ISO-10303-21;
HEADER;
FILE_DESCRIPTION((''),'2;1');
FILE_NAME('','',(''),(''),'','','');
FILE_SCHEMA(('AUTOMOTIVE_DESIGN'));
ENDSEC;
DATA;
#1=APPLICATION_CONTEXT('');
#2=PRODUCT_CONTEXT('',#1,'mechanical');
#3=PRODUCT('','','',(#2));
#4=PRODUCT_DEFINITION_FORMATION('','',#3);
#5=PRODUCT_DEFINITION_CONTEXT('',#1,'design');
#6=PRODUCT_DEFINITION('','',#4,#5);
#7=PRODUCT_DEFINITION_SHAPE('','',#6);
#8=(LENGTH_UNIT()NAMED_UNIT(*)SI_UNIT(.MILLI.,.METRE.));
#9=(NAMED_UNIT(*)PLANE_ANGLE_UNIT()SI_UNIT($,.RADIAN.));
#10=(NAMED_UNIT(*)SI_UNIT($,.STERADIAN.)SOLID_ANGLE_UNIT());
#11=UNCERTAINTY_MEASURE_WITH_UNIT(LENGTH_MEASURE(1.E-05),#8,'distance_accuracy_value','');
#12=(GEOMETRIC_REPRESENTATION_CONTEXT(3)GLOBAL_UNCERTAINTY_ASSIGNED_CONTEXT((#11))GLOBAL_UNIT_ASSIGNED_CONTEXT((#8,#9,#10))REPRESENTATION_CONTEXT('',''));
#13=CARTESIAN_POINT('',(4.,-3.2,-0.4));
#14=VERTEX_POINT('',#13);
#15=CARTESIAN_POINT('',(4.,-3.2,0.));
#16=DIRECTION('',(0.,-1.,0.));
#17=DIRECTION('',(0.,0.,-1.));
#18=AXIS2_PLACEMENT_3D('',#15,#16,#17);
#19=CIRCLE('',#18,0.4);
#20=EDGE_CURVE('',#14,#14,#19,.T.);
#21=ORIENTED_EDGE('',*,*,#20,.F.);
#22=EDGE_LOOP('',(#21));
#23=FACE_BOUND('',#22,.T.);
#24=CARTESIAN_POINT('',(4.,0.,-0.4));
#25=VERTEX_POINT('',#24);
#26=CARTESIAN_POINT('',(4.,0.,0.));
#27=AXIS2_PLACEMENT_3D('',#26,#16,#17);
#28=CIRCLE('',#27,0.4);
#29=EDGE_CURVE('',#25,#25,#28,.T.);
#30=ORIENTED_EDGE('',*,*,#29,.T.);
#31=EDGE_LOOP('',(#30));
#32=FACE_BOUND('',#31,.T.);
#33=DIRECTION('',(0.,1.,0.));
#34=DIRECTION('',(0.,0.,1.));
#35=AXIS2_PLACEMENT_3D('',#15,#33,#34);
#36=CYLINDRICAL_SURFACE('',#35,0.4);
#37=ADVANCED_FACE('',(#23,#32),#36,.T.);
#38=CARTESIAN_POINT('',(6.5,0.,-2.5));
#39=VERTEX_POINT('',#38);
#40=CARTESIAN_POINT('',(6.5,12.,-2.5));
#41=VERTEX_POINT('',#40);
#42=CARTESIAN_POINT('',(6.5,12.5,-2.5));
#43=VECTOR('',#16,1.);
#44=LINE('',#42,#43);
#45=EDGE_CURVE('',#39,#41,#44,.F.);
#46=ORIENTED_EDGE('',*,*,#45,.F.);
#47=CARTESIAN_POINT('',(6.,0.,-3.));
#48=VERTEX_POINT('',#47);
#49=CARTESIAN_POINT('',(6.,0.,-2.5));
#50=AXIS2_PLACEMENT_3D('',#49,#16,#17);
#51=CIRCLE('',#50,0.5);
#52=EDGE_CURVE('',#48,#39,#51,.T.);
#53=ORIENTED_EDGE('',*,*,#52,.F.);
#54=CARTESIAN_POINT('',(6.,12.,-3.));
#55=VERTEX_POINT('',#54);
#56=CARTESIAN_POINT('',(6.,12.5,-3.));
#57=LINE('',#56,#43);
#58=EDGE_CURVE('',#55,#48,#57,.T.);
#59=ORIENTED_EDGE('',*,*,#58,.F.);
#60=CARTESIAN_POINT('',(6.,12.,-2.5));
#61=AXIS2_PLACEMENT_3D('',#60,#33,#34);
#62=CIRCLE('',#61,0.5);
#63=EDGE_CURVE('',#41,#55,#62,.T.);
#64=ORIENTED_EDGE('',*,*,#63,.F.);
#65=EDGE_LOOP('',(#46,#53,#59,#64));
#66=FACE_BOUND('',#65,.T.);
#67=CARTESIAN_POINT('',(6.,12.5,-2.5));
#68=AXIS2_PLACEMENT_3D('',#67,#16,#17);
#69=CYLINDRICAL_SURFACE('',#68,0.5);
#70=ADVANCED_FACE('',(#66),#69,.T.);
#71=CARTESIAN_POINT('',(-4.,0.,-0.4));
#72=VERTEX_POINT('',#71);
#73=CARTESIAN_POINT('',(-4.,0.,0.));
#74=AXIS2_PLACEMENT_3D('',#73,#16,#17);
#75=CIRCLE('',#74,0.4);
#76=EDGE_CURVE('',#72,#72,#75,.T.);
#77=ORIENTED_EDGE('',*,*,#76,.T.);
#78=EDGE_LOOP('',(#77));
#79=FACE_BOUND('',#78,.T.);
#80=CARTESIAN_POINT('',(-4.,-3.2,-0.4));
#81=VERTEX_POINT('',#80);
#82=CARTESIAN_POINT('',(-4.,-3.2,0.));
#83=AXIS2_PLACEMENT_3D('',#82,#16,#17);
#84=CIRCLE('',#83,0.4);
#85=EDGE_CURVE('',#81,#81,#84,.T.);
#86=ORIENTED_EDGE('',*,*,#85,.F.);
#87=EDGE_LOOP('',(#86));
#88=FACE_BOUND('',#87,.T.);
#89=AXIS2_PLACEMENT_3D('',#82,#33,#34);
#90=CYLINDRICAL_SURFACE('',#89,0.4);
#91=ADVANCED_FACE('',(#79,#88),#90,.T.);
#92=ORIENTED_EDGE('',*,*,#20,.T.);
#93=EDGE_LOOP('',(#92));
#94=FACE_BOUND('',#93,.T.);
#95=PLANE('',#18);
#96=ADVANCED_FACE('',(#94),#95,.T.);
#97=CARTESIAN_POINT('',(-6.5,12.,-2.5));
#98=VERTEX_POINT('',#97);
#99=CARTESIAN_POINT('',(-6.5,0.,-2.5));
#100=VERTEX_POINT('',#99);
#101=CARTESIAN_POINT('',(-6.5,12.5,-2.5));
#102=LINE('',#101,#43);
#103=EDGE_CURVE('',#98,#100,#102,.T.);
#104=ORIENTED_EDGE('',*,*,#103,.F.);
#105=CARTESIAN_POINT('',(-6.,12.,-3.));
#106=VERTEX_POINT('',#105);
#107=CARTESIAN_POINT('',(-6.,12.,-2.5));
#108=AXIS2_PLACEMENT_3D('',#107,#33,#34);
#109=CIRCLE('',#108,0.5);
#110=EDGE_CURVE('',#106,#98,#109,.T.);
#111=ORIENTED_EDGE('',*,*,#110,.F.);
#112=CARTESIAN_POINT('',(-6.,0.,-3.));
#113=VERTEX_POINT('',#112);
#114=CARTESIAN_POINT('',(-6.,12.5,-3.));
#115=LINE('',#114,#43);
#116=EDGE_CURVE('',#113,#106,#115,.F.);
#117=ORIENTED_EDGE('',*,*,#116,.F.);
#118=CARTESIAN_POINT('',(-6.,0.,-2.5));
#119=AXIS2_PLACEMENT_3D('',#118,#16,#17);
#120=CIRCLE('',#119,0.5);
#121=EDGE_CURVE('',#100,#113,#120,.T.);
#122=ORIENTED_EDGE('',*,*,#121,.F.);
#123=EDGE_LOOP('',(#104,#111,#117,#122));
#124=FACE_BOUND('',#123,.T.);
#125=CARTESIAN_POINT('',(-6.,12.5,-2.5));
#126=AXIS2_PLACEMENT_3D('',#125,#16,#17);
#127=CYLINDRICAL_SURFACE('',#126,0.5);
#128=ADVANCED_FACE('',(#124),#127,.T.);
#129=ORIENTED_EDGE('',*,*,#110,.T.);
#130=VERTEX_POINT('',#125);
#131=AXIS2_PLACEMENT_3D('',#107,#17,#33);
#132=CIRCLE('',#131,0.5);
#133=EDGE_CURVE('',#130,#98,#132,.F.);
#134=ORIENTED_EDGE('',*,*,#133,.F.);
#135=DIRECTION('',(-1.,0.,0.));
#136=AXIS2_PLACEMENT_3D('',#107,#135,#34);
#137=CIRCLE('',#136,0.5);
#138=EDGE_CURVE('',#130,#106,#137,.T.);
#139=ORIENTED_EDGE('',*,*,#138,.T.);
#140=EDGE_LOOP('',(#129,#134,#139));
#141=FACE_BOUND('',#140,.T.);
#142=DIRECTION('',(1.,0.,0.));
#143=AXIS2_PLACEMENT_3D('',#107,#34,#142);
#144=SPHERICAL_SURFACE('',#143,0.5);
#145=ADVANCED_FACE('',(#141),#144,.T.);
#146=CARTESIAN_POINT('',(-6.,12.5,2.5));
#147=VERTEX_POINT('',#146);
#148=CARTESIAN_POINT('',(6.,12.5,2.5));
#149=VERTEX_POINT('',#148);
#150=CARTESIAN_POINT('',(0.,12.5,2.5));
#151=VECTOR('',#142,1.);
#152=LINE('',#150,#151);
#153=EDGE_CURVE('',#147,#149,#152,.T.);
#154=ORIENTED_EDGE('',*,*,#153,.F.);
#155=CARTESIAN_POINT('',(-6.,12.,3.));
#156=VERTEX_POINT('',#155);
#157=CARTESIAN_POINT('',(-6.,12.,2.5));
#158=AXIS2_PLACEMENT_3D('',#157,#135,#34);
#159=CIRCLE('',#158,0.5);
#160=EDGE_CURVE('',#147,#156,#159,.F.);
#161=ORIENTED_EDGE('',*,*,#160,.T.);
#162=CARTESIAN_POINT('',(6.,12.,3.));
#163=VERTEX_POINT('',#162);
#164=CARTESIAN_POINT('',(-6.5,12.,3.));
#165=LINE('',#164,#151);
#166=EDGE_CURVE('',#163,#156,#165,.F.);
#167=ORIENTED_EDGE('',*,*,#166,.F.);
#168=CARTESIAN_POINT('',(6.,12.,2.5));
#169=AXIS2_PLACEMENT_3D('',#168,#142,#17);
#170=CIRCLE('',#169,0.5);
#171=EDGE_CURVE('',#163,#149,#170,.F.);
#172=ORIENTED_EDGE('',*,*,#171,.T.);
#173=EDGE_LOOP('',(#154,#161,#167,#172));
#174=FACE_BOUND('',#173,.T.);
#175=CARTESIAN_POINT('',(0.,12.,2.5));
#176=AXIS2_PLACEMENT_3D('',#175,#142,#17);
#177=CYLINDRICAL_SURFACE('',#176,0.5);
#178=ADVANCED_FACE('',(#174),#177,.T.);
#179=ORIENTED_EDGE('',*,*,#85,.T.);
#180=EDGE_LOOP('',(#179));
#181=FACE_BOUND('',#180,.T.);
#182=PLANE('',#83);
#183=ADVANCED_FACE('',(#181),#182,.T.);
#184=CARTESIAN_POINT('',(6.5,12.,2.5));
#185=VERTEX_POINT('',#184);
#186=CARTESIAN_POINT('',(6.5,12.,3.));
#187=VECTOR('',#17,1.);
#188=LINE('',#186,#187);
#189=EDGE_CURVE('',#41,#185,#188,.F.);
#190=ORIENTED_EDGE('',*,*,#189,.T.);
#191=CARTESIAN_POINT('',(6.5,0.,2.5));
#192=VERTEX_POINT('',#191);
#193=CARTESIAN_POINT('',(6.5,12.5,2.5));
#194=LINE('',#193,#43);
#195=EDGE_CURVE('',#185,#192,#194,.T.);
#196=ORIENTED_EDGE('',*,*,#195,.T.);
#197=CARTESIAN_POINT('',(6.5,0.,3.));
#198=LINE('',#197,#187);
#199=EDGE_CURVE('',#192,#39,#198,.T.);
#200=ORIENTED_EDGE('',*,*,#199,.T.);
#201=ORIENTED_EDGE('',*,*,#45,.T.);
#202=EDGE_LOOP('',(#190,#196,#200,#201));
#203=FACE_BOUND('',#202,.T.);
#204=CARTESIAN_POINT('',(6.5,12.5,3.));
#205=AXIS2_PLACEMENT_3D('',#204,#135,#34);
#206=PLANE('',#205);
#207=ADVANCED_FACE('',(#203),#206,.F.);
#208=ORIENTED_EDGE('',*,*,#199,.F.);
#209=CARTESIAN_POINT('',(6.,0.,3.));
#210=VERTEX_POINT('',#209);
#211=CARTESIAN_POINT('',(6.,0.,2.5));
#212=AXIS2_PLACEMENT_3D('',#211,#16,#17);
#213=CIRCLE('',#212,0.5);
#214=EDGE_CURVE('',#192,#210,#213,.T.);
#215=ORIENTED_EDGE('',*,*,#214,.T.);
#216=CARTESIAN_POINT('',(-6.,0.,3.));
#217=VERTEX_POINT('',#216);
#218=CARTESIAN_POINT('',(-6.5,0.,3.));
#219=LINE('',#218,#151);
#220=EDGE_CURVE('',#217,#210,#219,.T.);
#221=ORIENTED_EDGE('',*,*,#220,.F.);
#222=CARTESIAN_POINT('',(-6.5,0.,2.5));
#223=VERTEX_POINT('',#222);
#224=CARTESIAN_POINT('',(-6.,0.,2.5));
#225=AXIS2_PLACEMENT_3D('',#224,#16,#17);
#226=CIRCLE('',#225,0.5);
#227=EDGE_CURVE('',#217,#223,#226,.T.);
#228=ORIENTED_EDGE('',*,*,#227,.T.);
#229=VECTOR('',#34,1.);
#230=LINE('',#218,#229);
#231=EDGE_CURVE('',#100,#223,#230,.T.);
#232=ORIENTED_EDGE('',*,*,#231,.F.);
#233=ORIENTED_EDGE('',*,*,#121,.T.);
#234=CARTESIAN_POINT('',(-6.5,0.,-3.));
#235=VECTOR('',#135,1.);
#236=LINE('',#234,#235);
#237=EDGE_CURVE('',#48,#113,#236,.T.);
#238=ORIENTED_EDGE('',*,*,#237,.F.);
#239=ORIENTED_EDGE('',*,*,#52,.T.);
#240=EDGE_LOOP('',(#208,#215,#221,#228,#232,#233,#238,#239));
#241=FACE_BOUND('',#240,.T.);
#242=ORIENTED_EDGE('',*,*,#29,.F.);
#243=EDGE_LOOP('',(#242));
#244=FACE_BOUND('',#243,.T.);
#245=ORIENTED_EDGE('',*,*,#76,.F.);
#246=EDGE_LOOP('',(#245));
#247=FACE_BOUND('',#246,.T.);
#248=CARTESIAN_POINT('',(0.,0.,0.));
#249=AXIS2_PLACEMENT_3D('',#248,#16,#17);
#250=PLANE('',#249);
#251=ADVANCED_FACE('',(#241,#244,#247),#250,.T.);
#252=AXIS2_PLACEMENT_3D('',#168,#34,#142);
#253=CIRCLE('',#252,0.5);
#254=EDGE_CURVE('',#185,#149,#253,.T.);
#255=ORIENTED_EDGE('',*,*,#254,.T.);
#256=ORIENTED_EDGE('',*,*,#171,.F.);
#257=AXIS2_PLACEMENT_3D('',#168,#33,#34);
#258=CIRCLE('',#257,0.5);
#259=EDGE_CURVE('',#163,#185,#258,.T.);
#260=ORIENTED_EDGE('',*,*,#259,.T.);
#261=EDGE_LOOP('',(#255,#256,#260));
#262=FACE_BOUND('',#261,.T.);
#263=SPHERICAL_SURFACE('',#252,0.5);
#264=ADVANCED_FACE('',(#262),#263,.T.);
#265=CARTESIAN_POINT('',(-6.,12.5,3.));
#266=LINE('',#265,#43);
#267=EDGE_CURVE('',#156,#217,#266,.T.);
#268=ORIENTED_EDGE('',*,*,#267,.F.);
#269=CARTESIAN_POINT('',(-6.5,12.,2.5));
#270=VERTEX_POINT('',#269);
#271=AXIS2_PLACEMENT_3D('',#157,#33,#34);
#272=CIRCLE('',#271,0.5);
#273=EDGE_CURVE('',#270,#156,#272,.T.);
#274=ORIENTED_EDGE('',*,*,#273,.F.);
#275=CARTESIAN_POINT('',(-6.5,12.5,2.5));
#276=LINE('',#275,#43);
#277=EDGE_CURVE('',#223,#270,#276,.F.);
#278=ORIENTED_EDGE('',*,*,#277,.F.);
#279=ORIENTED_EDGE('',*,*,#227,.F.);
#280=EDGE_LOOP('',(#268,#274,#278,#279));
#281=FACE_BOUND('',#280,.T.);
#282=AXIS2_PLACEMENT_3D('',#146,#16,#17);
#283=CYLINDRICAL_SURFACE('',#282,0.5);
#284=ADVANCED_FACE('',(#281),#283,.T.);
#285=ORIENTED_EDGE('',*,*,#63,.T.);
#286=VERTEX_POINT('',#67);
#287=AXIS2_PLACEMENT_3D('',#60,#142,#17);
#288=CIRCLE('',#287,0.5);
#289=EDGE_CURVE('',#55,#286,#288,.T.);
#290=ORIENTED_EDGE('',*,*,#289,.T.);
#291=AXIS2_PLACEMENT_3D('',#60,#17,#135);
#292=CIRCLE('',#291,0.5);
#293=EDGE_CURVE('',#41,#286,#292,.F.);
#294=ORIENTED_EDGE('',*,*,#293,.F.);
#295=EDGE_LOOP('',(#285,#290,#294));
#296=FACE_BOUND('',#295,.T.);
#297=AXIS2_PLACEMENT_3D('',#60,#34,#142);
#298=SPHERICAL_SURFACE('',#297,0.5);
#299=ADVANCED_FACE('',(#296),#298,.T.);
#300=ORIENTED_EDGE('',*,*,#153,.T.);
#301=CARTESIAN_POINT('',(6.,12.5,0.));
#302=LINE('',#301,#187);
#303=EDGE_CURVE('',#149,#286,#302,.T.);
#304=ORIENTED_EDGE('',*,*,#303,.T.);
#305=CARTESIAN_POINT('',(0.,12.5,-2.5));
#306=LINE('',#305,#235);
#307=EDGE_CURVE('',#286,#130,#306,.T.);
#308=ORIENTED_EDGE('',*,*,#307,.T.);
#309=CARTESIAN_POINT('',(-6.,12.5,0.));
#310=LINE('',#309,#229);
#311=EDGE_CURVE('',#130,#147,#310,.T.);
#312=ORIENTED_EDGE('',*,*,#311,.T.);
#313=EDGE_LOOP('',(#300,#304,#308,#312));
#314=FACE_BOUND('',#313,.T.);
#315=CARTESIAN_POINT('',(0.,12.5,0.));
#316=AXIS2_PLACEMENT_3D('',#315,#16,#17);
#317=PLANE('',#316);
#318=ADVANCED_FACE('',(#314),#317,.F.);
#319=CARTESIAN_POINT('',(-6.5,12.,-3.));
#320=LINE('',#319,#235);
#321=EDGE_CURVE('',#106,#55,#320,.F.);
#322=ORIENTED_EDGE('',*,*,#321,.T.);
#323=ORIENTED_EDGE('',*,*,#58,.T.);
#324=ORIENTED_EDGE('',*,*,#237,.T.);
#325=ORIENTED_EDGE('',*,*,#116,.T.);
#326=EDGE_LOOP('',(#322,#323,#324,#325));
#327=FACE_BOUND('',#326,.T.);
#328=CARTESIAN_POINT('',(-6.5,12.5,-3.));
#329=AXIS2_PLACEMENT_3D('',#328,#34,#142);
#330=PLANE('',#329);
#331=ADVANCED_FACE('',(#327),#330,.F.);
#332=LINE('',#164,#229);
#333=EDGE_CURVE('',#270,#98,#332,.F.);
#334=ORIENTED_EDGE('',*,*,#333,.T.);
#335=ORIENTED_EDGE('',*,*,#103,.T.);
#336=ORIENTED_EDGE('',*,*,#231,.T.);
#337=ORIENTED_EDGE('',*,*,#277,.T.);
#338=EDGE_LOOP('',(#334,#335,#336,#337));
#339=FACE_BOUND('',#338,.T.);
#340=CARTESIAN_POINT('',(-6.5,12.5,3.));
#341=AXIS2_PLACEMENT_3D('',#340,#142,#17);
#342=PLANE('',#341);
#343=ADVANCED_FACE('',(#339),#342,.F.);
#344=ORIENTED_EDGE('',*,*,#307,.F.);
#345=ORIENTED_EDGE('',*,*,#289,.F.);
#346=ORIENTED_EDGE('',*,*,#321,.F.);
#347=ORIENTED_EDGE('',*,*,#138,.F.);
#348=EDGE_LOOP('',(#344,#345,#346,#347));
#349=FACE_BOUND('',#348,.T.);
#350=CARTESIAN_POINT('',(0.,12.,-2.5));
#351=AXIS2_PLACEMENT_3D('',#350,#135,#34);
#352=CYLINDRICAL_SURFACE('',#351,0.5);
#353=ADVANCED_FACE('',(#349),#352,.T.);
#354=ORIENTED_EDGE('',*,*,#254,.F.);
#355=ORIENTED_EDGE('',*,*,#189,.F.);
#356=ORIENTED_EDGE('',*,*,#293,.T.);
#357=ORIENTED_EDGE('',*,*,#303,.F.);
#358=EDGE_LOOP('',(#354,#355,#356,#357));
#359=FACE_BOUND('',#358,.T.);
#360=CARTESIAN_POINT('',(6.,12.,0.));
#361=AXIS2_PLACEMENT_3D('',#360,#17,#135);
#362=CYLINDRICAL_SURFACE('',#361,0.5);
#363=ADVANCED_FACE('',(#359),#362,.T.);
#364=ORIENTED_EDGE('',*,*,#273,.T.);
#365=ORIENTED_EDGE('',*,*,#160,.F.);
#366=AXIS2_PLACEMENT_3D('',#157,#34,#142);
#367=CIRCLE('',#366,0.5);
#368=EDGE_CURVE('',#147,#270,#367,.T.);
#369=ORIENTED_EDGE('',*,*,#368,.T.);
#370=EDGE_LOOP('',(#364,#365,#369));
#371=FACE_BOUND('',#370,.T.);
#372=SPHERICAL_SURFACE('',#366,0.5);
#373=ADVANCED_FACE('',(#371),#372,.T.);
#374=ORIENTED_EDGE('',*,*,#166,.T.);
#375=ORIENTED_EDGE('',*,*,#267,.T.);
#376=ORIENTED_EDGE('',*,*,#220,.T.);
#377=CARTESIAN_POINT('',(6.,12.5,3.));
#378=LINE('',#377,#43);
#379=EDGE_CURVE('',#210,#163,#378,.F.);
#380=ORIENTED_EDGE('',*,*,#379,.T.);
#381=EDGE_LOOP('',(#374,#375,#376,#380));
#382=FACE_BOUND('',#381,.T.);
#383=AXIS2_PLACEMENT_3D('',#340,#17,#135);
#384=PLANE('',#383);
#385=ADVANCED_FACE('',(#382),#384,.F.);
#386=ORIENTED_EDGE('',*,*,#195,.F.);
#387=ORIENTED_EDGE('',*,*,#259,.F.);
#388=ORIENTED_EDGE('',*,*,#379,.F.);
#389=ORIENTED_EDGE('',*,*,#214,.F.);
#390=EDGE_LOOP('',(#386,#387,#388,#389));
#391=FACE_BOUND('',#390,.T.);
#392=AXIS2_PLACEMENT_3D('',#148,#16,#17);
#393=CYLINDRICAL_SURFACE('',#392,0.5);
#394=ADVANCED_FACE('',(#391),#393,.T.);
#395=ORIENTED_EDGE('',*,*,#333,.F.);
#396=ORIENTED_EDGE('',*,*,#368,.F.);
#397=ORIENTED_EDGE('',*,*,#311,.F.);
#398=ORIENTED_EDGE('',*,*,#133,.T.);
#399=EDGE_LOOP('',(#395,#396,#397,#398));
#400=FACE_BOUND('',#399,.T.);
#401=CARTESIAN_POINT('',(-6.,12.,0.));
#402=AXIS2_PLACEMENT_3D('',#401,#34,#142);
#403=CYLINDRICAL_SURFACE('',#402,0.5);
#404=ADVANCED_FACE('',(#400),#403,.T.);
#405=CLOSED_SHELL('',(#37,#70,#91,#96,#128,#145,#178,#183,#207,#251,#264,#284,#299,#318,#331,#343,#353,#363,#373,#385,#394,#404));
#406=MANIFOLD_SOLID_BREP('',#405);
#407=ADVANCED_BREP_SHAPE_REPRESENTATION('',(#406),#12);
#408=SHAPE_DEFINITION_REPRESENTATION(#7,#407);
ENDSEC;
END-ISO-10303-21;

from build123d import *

# Parameters (mm, degrees)
SKETCH_2_W      = 13
SKETCH_2_H      = 6
EXTRUDE_1_DEPTH = 12.5
SKETCH_3_R      = 0.4
EXTRUDE_2_DEPTH = 3.2
FILLET_1_R      = 0.5


with BuildPart() as part:
    # Эскиз2 → Бобышка-Вытянуть1 (new body)
    with BuildSketch(Plane(origin=(0, 0, 0), x_dir=(1, 0, 0), z_dir=(0, 1, 0))):
        Rectangle(SKETCH_2_W, SKETCH_2_H)
    extrude(amount=EXTRUDE_1_DEPTH)

    # Эскиз3 → Бобышка-Вытянуть2 (add)
    with BuildSketch(Plane.XZ):
        with Locations(Location((-4, 0, 0), (0, 0, 270))):
            Circle(SKETCH_3_R)
        with Locations(Location((4, 0, 0), (0, 0, 270))):
            Circle(SKETCH_3_R)
    extrude(amount=EXTRUDE_2_DEPTH)

    # Скругление1
    fillet_1_edges = [part.edges().sort_by_distance(p)[0] for p in [
        (-6.5, 12.5, 0),
        (0, 12.5, 3),
        (6.5, 12.5, 0),
        (6.5, 6.25, 3),
        (-6.5, 6.25, 3),
        (-6.5, 6.25, -3),
        (6.5, 6.25, -3),
        (0, 12.5, -3),
    ]]
    fillet(fillet_1_edges, radius=FILLET_1_R)


solid = part.part
